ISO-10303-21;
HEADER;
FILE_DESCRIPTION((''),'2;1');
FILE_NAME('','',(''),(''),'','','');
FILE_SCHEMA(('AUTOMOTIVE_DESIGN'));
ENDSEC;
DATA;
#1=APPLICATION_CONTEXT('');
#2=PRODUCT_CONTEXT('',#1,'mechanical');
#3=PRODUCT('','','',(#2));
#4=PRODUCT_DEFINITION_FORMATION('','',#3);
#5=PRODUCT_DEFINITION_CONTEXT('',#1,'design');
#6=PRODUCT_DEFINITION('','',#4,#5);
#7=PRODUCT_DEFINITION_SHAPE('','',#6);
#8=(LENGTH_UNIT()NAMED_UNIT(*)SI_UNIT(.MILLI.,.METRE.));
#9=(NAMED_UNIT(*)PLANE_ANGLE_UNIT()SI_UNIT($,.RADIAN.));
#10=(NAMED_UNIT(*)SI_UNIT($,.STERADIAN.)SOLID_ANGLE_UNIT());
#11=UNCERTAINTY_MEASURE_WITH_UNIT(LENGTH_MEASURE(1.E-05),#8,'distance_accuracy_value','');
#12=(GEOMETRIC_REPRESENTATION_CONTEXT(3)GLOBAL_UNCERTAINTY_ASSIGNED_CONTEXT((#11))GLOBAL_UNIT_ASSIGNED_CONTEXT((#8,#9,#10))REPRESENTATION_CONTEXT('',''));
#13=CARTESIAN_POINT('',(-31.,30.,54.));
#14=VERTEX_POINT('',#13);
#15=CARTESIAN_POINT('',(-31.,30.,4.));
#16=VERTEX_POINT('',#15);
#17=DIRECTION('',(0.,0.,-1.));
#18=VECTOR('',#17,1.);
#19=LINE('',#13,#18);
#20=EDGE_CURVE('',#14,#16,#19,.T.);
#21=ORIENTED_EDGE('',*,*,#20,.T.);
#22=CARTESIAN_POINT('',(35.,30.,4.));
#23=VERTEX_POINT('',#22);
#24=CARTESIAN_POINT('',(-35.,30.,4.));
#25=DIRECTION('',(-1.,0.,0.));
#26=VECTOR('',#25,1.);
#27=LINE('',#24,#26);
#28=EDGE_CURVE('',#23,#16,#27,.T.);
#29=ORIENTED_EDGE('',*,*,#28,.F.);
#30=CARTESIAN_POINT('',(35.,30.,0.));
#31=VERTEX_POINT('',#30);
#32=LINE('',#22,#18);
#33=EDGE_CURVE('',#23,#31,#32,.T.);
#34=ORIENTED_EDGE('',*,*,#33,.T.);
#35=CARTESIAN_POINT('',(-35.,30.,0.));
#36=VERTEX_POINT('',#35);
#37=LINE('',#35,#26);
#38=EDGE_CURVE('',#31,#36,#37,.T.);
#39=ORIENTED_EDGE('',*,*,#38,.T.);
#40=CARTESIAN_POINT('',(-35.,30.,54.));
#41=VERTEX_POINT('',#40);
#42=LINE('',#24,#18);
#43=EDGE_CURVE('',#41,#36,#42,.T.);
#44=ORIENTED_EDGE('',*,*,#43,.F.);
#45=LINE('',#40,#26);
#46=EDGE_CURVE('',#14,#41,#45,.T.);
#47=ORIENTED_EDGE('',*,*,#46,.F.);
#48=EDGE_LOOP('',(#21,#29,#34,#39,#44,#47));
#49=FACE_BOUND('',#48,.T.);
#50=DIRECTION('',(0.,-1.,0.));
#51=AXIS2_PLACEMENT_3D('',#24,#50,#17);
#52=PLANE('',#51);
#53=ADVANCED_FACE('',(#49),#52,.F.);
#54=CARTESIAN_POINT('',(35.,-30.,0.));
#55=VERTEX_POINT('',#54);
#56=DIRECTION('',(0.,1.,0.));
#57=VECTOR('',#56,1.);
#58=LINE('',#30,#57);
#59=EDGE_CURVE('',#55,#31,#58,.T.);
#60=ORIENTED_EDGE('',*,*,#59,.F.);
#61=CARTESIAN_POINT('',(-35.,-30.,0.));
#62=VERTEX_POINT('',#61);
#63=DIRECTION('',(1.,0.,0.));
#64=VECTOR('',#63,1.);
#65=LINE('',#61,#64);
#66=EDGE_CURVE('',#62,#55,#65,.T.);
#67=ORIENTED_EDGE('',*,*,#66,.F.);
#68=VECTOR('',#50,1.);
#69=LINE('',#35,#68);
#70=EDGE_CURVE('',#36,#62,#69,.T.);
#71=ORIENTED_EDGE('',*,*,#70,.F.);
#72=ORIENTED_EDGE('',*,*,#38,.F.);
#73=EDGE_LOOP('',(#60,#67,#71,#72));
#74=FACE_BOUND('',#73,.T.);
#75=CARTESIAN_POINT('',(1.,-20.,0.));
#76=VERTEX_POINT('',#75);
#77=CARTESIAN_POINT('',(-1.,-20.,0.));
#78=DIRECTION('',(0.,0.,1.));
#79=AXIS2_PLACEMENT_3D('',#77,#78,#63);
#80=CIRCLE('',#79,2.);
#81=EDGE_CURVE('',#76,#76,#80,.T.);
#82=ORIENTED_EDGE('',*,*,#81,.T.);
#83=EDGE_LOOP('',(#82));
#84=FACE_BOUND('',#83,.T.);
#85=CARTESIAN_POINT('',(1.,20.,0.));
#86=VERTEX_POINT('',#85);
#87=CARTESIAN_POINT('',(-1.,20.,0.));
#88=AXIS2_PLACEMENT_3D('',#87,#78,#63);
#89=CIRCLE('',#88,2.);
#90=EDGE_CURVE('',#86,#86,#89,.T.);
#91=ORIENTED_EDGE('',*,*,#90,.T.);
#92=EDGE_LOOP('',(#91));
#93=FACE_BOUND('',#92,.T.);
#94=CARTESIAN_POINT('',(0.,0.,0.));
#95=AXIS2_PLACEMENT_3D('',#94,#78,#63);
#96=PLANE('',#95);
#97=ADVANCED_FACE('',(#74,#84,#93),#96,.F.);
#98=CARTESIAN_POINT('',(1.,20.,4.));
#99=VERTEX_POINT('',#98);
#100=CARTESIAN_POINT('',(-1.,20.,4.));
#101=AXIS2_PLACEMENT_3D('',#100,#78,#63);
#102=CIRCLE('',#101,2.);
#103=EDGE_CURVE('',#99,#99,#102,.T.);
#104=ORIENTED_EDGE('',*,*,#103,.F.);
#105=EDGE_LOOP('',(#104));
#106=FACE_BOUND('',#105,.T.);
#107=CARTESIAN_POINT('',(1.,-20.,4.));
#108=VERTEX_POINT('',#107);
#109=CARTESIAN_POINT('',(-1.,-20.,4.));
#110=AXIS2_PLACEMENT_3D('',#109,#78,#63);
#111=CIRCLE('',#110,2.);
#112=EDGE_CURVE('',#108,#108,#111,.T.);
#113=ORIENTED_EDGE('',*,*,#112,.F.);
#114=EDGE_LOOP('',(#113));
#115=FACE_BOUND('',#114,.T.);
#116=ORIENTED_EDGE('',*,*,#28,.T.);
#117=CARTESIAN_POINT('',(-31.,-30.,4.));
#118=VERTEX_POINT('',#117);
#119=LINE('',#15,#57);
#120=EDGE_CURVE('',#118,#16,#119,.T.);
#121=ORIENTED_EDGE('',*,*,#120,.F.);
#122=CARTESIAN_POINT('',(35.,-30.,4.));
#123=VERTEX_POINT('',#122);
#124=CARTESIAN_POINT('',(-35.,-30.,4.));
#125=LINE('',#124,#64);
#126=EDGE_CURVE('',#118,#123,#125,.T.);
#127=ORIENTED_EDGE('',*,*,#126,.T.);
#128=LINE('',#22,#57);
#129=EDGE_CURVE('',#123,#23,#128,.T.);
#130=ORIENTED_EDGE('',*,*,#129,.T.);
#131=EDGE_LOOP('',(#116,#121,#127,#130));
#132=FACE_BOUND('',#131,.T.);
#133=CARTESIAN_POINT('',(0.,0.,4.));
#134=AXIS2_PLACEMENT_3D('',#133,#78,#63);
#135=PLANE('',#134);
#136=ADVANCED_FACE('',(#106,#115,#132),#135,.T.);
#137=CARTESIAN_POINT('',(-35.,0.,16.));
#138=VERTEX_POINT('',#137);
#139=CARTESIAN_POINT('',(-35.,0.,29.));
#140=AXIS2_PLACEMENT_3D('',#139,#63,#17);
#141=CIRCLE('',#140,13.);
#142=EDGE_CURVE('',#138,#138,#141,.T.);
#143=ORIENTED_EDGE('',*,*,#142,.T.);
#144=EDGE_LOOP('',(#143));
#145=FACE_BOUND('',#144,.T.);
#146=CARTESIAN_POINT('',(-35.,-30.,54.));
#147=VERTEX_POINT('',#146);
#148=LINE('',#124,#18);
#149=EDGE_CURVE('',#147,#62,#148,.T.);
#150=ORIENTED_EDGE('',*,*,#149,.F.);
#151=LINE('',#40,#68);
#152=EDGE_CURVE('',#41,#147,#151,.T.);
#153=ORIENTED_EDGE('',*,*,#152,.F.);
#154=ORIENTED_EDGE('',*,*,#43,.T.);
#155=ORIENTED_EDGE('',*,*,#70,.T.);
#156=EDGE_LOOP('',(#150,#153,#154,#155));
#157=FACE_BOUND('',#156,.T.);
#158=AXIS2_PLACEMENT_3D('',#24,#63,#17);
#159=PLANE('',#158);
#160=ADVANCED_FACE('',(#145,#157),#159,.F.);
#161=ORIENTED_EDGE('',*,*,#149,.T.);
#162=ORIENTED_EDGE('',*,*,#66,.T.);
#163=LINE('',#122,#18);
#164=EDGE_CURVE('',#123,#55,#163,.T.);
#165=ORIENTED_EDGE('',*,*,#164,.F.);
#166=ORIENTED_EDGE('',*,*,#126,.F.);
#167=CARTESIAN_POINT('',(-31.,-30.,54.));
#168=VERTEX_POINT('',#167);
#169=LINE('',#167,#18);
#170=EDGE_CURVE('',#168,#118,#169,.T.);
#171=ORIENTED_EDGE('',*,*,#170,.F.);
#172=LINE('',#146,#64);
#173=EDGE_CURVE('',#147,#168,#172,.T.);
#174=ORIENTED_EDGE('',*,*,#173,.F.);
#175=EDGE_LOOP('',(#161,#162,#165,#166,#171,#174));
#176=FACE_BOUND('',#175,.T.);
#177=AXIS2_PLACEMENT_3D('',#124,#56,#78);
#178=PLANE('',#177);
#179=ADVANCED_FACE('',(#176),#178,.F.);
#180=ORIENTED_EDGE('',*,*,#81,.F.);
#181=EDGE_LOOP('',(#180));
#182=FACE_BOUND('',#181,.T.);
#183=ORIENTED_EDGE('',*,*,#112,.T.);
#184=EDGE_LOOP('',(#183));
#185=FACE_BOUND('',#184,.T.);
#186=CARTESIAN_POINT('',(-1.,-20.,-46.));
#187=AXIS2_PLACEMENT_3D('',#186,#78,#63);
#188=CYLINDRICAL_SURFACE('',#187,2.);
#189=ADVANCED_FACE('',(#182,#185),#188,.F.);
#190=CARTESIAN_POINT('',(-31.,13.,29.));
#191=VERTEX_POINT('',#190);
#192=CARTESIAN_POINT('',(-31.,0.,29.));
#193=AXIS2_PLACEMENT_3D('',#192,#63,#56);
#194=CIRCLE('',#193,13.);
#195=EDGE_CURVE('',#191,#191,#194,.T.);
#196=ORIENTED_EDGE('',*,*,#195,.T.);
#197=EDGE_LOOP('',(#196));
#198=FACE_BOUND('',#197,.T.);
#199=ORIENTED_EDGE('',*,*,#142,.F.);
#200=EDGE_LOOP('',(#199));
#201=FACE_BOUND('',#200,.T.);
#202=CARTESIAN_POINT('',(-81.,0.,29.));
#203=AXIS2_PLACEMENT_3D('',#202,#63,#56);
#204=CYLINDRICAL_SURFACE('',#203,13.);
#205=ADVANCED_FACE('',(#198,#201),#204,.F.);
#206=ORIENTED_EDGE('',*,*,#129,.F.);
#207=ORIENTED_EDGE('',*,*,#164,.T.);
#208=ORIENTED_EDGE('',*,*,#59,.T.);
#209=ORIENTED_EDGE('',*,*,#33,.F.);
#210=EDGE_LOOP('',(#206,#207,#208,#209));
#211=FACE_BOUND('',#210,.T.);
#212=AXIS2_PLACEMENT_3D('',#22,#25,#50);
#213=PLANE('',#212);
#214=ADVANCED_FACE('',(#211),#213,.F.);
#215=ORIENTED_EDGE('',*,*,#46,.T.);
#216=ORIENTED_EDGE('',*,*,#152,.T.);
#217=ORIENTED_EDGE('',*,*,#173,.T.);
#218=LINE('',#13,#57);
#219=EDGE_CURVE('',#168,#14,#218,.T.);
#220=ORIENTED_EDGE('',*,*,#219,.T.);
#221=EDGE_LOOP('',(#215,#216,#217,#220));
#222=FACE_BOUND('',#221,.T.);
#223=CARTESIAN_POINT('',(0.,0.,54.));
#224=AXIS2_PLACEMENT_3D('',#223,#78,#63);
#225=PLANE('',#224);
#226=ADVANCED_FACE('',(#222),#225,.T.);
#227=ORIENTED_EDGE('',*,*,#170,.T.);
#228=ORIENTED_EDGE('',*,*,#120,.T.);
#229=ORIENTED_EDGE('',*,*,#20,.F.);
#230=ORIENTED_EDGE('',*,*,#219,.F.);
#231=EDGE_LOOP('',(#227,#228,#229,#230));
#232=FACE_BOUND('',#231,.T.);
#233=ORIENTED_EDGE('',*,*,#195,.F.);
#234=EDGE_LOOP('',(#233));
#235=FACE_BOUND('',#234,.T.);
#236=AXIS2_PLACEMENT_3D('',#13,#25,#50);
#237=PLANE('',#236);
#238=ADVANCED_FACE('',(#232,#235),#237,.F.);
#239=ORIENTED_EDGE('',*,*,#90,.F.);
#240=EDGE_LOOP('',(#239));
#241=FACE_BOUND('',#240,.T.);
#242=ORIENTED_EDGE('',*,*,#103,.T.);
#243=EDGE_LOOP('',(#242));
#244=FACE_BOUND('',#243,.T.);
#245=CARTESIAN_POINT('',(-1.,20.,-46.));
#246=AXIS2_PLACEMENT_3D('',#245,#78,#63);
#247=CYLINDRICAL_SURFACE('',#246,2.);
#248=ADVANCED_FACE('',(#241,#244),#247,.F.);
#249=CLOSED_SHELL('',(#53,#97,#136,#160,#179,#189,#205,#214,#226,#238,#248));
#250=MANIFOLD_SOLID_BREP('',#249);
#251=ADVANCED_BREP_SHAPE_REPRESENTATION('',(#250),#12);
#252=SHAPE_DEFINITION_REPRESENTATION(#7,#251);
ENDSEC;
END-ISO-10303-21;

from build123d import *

# Parameters (mm, degrees)
SKETCH1_W           = 70
SKETCH1_H           = 60
BOSS_EXTRUDE1_DEPTH = 4
SKETCH2_W           = 4
SKETCH2_H           = 60
BOSS_EXTRUDE2_DEPTH = 50
SKETCH3_R           = 13
CUT_EXTRUDE1_DEPTH  = 50
SKETCH4_R           = 2
CUT_EXTRUDE2_DEPTH  = 50


with BuildPart() as part:
    # Sketch1 → Boss-Extrude1 (new body)
    with BuildSketch(Plane.XY):
        Rectangle(SKETCH1_W, SKETCH1_H)
    extrude(amount=BOSS_EXTRUDE1_DEPTH)

    # Sketch2 → Boss-Extrude2 (add)
    with BuildSketch(Plane.XY.offset(4)):
        with Locations((-33, 0)):
            Rectangle(SKETCH2_W, SKETCH2_H)
    extrude(amount=BOSS_EXTRUDE2_DEPTH)

    # Sketch3 → Cut-Extrude1 (cut)
    with BuildSketch(Plane(origin=(-31, 0, 0), x_dir=(0, 0, -1), z_dir=(1, 0, 0))):
        with Locations((-29, 0)):
            Circle(SKETCH3_R)
    extrude(amount=-CUT_EXTRUDE1_DEPTH, mode=Mode.SUBTRACT)

    # Sketch4 → Cut-Extrude2 (cut)
    with BuildSketch(Plane.XY.offset(4)):
        with Locations((-1, 20)):
            Circle(SKETCH4_R)
        with Locations((-1, -20)):
            Circle(SKETCH4_R)
    extrude(amount=-CUT_EXTRUDE2_DEPTH, mode=Mode.SUBTRACT)


solid = part.part
